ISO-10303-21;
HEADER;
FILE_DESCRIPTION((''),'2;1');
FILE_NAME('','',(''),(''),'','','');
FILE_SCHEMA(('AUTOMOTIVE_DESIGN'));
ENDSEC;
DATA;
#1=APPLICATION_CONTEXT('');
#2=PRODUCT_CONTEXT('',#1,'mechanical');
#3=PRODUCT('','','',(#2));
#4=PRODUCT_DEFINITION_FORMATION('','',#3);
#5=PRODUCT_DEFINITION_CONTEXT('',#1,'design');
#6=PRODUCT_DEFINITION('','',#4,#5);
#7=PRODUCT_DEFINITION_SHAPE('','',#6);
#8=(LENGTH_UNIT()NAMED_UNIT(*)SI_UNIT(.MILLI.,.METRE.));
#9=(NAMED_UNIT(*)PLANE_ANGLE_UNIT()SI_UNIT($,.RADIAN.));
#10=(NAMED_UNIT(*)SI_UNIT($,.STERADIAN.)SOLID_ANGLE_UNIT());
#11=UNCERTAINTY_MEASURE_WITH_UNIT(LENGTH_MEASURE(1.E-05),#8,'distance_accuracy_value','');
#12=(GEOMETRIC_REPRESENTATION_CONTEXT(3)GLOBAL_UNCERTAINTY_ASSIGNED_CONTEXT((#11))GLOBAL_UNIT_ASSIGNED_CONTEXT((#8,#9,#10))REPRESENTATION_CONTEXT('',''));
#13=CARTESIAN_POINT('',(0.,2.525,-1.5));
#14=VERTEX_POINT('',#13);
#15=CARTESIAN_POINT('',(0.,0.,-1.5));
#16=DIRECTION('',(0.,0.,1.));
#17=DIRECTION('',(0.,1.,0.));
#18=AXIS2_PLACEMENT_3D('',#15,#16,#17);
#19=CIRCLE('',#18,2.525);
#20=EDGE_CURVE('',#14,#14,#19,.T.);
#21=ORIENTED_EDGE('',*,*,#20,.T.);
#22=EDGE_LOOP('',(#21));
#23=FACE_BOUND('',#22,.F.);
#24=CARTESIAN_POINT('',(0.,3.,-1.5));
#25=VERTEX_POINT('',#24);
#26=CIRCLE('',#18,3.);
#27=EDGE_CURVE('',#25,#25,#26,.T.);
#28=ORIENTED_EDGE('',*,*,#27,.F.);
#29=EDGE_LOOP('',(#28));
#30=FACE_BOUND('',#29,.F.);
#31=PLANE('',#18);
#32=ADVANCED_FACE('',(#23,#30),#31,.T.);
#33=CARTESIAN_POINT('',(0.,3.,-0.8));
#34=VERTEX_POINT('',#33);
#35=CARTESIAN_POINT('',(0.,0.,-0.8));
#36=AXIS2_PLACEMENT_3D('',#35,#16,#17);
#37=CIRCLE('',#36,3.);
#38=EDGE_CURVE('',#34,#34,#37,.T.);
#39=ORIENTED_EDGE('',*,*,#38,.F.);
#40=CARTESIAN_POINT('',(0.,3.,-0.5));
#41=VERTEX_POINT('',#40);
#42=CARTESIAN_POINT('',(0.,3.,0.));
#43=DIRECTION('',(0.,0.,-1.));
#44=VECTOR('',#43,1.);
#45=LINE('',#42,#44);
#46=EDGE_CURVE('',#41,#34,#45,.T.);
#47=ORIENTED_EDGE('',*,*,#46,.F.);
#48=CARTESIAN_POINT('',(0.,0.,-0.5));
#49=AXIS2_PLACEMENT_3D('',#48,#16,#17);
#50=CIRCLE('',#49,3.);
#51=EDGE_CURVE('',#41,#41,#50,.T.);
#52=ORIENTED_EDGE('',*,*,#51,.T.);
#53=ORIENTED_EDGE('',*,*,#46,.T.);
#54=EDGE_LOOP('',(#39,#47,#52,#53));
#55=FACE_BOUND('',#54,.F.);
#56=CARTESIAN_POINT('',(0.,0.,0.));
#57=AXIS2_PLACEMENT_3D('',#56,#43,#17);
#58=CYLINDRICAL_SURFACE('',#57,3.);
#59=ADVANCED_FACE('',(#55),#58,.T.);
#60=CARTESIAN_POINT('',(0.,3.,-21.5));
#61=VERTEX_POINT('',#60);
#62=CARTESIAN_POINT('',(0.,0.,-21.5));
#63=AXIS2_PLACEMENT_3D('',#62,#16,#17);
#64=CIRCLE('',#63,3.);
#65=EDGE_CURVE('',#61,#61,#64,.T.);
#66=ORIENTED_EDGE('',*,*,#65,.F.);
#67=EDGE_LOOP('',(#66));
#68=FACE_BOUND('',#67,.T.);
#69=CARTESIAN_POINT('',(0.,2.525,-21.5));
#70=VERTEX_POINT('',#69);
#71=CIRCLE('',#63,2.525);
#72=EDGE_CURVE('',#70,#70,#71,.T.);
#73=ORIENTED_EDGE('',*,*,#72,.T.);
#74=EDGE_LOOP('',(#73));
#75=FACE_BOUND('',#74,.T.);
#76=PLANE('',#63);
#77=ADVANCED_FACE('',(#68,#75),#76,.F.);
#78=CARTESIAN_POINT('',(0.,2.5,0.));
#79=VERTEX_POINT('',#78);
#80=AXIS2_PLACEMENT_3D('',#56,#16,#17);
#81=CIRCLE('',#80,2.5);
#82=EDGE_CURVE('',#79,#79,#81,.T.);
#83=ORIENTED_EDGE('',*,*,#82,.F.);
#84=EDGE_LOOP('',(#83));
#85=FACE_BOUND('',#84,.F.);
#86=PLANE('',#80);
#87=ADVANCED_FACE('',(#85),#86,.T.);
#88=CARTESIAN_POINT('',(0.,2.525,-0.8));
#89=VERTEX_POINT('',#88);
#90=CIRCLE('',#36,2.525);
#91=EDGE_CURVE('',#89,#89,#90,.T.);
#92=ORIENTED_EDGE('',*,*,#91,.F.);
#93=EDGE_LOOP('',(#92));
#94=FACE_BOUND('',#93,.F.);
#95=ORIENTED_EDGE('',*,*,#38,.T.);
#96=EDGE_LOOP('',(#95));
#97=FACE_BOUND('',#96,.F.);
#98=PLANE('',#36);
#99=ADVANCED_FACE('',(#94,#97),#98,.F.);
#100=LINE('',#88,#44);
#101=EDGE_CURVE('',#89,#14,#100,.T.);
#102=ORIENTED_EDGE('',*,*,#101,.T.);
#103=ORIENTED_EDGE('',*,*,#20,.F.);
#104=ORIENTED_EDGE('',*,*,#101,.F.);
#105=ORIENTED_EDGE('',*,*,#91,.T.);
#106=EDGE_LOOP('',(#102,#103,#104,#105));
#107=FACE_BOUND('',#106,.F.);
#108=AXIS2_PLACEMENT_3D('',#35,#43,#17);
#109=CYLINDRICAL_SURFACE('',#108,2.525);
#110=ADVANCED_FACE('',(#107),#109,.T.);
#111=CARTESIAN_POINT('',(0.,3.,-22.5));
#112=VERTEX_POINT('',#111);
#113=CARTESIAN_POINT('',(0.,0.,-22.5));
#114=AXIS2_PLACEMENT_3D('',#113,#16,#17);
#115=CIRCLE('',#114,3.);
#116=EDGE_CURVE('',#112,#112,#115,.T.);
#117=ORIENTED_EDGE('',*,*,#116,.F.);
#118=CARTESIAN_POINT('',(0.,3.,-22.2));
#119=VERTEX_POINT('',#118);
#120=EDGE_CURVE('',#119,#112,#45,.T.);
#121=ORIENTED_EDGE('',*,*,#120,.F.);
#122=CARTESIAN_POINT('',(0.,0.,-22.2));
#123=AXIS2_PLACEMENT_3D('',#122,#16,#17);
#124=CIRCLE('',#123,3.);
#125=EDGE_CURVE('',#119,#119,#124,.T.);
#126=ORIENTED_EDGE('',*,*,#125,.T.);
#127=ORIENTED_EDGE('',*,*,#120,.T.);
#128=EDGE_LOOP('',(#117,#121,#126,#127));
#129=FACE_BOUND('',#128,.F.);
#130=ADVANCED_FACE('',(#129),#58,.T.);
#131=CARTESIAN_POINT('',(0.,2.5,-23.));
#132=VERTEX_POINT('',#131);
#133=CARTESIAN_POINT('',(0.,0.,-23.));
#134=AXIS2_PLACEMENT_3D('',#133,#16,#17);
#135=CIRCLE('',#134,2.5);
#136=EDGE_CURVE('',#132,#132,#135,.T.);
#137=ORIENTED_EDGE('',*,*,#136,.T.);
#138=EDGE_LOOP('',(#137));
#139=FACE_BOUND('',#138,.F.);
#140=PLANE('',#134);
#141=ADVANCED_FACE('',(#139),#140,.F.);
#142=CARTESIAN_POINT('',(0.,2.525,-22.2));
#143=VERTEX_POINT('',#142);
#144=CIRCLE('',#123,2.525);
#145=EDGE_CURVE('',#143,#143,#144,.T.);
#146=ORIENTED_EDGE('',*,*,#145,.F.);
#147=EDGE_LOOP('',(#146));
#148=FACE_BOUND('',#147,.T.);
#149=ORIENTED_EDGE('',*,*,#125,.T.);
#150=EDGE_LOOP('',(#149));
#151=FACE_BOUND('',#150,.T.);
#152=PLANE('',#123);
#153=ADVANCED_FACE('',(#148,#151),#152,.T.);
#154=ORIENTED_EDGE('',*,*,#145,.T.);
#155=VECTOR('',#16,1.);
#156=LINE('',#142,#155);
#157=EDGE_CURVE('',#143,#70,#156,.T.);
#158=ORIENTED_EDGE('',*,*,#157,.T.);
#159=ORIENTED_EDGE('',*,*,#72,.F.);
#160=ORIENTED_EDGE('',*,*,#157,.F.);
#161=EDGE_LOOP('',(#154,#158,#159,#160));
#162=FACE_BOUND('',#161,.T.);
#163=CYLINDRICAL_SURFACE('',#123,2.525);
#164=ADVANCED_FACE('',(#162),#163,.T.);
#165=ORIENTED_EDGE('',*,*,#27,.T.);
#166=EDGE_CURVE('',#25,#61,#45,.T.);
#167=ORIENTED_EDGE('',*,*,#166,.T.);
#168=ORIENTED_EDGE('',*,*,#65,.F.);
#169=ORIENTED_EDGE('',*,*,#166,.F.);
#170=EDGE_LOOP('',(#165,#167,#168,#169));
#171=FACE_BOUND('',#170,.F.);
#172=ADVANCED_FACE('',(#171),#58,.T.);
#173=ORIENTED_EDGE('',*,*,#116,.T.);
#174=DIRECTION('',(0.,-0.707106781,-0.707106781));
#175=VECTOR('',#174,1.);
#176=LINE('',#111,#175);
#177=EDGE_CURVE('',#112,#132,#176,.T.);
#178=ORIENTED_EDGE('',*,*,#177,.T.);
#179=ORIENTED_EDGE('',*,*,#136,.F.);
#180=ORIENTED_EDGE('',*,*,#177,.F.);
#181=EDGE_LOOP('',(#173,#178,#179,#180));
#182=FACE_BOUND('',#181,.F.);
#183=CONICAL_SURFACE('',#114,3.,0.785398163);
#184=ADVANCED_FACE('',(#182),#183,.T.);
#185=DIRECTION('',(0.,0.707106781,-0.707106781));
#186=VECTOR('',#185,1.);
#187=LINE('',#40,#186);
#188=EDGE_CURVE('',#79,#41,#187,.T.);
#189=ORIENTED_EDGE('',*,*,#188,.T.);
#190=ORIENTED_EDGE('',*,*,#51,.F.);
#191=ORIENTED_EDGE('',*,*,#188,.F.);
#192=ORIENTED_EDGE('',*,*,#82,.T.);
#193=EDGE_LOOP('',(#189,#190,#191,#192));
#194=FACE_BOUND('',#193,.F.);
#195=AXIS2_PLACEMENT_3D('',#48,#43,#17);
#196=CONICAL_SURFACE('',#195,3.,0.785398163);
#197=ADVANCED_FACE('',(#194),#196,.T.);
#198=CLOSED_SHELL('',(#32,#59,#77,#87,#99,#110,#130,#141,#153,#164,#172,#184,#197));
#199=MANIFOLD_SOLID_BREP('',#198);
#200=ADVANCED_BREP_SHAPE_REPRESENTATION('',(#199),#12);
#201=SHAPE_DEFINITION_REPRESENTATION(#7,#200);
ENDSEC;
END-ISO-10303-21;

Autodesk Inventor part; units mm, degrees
ref_plane "YZ Plane" through (0, 0, 0) normal (1, 0, 0) x (0, 1, 0)
ref_plane "XZ Plane" through (0, 0, 0) normal (0, 1, 0) x (-1, 0, 0)
ref_plane "XY Plane" through (0, 0, 0) normal (0, 0, 1) x (1, 0, 0)
sketch "Sketch1" plane through (0, 0, 0) normal (1, 0, 0) x (0, 1, 0)
  line L0 (0, 0) -> (3, 0)
  line L1 (3, 0) -> (3, -23)
  line L2 (3, -23) -> (0, -23)
  line L3 (0, -23) -> (0, 0)
  line L4 (3, -0.8) -> (2.525, -0.8)
  line L5 (2.525, -0.8) -> (2.525, -1.5)
  line L6 (2.525, -1.5) -> (3, -1.5)
  line L7 (3, -1.5) -> (3, -0.8)
  line L8 (3, -22.2) -> (2.525, -22.2)
  line L9 (2.525, -22.2) -> (2.525, -21.5)
  line L10 (2.525, -21.5) -> (3, -21.5)
  line L11 (3, -21.5) -> (3, -22.2)
  point P0 (2.525, -21.85)
  point P1 (3, -21.5)
  point P2 (1.5, -23)
  dimension "d0" = 6
  dimension "d1" = 20
  dimension "d4" = 0.7
  dimension "d5" = 0.7
  dimension "d6" = 5.05
  dimension "d11" = 23
  dimension "d12" = 0.8
revolve "Revolution1" add sketch "Sketch1" angle 360 about axis through (0, 0, -23) along (0, 0, 1) contours L0 L1 L4 L5 L6 L10 L9 L8 L2 L3
chamfer "Chamfer1" distance 0.5 angle 45 2 edges at (0, -3, 0) (0, -3, -23)
equation "\"d5\" = d4"
properties part number "rod pin_CPY_CPY"
